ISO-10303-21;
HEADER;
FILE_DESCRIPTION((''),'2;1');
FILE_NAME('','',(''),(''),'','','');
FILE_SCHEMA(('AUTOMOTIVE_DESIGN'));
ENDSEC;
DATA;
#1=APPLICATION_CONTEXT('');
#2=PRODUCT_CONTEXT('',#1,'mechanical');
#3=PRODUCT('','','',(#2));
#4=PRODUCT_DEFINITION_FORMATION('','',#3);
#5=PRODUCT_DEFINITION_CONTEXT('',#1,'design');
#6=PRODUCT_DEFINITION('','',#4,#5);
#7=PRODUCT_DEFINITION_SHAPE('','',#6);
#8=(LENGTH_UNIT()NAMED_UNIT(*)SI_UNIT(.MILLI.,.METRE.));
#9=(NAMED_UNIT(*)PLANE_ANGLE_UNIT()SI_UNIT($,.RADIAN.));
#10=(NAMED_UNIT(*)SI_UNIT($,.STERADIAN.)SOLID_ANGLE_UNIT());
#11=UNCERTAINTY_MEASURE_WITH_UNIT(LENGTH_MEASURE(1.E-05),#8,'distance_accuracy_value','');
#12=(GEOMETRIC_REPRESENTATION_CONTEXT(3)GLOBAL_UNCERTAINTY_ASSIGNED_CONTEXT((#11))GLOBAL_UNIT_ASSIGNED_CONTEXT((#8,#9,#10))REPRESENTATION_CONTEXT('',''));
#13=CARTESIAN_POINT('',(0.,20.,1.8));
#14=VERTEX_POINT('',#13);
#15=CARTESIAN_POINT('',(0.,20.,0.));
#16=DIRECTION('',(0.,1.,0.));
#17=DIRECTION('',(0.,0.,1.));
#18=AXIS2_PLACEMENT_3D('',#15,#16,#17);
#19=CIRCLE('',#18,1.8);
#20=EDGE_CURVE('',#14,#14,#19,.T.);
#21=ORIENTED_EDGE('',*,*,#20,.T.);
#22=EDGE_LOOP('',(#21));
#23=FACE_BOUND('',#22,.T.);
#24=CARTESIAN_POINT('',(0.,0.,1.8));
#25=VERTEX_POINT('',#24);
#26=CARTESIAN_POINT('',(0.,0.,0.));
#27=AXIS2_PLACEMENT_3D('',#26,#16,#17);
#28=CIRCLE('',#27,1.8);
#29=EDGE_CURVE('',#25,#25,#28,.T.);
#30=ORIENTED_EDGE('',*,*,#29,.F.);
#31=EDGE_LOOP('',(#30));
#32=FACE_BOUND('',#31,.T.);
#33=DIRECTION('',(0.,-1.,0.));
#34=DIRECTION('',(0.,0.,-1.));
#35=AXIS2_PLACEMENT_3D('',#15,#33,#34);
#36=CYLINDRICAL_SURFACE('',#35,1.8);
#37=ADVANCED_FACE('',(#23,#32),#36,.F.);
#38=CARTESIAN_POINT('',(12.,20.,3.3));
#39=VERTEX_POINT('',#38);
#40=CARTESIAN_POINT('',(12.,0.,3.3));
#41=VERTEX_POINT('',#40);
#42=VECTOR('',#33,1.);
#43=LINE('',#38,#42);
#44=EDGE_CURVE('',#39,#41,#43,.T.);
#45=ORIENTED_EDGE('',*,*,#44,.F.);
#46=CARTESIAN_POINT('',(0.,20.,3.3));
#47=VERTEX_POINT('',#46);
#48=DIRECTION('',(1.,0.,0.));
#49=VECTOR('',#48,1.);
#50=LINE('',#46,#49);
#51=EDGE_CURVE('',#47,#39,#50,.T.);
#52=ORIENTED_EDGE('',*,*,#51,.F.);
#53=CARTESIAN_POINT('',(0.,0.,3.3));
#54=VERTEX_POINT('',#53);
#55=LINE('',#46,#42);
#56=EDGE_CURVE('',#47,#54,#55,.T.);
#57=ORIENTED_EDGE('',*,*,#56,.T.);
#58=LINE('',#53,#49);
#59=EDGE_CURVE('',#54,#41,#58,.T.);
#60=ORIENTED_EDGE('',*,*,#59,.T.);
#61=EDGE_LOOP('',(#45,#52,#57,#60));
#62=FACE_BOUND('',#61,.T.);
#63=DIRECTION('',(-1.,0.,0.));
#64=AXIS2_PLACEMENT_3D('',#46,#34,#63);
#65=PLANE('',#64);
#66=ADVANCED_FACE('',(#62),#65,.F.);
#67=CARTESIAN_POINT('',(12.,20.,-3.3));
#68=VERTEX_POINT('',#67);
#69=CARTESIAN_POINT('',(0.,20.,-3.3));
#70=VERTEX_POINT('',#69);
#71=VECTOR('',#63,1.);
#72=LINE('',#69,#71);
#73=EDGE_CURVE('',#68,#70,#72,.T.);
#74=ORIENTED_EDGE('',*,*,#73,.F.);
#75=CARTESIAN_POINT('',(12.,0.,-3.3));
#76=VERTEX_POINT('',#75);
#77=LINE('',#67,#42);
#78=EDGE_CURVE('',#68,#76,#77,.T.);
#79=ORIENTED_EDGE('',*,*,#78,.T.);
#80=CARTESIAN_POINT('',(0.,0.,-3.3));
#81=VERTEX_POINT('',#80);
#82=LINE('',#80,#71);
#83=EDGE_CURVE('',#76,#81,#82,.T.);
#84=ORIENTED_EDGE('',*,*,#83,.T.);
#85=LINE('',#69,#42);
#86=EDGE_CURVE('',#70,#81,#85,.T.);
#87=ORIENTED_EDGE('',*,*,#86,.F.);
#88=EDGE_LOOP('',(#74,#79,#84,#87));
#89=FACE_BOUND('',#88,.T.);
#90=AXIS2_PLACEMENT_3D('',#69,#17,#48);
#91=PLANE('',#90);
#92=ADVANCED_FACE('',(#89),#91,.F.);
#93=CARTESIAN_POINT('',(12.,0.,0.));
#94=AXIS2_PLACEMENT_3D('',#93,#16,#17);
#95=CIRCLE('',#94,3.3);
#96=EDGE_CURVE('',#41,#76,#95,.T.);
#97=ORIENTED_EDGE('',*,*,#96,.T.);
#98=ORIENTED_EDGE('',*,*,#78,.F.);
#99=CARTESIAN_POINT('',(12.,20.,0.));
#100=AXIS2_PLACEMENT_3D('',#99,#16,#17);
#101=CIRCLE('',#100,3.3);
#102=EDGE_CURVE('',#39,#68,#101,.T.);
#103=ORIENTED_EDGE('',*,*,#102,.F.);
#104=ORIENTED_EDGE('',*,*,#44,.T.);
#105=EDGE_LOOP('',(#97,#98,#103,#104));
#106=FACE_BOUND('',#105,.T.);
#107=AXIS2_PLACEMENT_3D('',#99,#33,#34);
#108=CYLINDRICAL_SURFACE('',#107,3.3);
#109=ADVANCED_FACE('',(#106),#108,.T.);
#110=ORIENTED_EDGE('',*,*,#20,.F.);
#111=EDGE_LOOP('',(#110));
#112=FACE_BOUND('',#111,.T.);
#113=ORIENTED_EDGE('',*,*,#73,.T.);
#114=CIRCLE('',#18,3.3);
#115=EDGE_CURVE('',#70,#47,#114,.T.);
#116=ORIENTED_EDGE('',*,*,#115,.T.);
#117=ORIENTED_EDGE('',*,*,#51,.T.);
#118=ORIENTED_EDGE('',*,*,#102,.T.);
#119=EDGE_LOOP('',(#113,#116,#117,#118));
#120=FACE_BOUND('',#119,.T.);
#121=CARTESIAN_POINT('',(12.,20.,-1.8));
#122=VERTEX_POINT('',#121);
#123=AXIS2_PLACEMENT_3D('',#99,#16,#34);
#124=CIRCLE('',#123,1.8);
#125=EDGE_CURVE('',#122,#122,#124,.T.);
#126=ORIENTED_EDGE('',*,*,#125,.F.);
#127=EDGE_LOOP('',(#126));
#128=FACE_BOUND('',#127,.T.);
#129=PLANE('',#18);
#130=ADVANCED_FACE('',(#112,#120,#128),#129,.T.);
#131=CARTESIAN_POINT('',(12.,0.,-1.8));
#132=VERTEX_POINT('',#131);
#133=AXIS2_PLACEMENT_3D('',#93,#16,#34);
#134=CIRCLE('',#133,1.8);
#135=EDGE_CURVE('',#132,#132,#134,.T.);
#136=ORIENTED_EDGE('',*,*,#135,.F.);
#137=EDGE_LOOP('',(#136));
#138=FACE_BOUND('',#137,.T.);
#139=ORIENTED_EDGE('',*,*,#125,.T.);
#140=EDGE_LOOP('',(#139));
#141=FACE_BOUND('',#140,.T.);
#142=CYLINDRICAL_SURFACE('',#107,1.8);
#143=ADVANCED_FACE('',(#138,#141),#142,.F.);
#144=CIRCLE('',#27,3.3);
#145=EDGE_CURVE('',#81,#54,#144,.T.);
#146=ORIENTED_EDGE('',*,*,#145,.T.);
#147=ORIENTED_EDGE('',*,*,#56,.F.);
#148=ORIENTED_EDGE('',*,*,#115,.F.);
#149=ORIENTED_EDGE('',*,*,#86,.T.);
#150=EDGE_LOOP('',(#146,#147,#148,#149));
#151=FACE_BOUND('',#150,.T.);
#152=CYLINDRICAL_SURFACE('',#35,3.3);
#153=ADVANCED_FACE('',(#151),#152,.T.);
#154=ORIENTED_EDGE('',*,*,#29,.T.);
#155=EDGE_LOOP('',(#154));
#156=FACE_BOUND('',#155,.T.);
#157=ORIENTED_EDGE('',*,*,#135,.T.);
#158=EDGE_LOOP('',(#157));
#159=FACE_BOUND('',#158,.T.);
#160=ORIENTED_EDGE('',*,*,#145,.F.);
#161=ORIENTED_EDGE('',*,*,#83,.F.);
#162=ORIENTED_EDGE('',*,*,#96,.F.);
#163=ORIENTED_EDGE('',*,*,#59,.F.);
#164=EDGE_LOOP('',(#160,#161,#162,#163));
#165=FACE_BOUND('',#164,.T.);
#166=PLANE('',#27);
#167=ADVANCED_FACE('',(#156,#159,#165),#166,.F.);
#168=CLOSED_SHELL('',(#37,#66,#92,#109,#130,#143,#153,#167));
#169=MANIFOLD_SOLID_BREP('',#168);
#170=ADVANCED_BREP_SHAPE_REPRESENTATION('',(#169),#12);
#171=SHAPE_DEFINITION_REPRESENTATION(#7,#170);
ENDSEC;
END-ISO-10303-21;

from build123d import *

# Parameters (mm, degrees)
SKETCH1_R           = 1.8
BOSS_EXTRUDE1_DEPTH = 20


with BuildPart() as part:
    # Sketch1 → Boss-Extrude1 (new body)
    with BuildSketch(Plane(origin=(0, 0, 0), x_dir=(1, 0, 0), z_dir=(0, 1, 0))):
        with BuildLine():
            Line((0, 3.3), (12, 3.3))
            ThreePointArc((12, 3.3), (15.3, 0), (12, -3.3))
            Line((12, -3.3), (0, -3.3))
            ThreePointArc((0, -3.3), (-3.3, 0), (0, 3.3))
        make_face()
        with Locations(Location((0, 0, 0), (0, 0, 270))):
            Circle(SKETCH1_R, mode=Mode.SUBTRACT)
        with Locations(Location((12, 0, 0), (0, 0, 90))):
            Circle(SKETCH1_R, mode=Mode.SUBTRACT)
    extrude(amount=BOSS_EXTRUDE1_DEPTH)


solid = part.part
